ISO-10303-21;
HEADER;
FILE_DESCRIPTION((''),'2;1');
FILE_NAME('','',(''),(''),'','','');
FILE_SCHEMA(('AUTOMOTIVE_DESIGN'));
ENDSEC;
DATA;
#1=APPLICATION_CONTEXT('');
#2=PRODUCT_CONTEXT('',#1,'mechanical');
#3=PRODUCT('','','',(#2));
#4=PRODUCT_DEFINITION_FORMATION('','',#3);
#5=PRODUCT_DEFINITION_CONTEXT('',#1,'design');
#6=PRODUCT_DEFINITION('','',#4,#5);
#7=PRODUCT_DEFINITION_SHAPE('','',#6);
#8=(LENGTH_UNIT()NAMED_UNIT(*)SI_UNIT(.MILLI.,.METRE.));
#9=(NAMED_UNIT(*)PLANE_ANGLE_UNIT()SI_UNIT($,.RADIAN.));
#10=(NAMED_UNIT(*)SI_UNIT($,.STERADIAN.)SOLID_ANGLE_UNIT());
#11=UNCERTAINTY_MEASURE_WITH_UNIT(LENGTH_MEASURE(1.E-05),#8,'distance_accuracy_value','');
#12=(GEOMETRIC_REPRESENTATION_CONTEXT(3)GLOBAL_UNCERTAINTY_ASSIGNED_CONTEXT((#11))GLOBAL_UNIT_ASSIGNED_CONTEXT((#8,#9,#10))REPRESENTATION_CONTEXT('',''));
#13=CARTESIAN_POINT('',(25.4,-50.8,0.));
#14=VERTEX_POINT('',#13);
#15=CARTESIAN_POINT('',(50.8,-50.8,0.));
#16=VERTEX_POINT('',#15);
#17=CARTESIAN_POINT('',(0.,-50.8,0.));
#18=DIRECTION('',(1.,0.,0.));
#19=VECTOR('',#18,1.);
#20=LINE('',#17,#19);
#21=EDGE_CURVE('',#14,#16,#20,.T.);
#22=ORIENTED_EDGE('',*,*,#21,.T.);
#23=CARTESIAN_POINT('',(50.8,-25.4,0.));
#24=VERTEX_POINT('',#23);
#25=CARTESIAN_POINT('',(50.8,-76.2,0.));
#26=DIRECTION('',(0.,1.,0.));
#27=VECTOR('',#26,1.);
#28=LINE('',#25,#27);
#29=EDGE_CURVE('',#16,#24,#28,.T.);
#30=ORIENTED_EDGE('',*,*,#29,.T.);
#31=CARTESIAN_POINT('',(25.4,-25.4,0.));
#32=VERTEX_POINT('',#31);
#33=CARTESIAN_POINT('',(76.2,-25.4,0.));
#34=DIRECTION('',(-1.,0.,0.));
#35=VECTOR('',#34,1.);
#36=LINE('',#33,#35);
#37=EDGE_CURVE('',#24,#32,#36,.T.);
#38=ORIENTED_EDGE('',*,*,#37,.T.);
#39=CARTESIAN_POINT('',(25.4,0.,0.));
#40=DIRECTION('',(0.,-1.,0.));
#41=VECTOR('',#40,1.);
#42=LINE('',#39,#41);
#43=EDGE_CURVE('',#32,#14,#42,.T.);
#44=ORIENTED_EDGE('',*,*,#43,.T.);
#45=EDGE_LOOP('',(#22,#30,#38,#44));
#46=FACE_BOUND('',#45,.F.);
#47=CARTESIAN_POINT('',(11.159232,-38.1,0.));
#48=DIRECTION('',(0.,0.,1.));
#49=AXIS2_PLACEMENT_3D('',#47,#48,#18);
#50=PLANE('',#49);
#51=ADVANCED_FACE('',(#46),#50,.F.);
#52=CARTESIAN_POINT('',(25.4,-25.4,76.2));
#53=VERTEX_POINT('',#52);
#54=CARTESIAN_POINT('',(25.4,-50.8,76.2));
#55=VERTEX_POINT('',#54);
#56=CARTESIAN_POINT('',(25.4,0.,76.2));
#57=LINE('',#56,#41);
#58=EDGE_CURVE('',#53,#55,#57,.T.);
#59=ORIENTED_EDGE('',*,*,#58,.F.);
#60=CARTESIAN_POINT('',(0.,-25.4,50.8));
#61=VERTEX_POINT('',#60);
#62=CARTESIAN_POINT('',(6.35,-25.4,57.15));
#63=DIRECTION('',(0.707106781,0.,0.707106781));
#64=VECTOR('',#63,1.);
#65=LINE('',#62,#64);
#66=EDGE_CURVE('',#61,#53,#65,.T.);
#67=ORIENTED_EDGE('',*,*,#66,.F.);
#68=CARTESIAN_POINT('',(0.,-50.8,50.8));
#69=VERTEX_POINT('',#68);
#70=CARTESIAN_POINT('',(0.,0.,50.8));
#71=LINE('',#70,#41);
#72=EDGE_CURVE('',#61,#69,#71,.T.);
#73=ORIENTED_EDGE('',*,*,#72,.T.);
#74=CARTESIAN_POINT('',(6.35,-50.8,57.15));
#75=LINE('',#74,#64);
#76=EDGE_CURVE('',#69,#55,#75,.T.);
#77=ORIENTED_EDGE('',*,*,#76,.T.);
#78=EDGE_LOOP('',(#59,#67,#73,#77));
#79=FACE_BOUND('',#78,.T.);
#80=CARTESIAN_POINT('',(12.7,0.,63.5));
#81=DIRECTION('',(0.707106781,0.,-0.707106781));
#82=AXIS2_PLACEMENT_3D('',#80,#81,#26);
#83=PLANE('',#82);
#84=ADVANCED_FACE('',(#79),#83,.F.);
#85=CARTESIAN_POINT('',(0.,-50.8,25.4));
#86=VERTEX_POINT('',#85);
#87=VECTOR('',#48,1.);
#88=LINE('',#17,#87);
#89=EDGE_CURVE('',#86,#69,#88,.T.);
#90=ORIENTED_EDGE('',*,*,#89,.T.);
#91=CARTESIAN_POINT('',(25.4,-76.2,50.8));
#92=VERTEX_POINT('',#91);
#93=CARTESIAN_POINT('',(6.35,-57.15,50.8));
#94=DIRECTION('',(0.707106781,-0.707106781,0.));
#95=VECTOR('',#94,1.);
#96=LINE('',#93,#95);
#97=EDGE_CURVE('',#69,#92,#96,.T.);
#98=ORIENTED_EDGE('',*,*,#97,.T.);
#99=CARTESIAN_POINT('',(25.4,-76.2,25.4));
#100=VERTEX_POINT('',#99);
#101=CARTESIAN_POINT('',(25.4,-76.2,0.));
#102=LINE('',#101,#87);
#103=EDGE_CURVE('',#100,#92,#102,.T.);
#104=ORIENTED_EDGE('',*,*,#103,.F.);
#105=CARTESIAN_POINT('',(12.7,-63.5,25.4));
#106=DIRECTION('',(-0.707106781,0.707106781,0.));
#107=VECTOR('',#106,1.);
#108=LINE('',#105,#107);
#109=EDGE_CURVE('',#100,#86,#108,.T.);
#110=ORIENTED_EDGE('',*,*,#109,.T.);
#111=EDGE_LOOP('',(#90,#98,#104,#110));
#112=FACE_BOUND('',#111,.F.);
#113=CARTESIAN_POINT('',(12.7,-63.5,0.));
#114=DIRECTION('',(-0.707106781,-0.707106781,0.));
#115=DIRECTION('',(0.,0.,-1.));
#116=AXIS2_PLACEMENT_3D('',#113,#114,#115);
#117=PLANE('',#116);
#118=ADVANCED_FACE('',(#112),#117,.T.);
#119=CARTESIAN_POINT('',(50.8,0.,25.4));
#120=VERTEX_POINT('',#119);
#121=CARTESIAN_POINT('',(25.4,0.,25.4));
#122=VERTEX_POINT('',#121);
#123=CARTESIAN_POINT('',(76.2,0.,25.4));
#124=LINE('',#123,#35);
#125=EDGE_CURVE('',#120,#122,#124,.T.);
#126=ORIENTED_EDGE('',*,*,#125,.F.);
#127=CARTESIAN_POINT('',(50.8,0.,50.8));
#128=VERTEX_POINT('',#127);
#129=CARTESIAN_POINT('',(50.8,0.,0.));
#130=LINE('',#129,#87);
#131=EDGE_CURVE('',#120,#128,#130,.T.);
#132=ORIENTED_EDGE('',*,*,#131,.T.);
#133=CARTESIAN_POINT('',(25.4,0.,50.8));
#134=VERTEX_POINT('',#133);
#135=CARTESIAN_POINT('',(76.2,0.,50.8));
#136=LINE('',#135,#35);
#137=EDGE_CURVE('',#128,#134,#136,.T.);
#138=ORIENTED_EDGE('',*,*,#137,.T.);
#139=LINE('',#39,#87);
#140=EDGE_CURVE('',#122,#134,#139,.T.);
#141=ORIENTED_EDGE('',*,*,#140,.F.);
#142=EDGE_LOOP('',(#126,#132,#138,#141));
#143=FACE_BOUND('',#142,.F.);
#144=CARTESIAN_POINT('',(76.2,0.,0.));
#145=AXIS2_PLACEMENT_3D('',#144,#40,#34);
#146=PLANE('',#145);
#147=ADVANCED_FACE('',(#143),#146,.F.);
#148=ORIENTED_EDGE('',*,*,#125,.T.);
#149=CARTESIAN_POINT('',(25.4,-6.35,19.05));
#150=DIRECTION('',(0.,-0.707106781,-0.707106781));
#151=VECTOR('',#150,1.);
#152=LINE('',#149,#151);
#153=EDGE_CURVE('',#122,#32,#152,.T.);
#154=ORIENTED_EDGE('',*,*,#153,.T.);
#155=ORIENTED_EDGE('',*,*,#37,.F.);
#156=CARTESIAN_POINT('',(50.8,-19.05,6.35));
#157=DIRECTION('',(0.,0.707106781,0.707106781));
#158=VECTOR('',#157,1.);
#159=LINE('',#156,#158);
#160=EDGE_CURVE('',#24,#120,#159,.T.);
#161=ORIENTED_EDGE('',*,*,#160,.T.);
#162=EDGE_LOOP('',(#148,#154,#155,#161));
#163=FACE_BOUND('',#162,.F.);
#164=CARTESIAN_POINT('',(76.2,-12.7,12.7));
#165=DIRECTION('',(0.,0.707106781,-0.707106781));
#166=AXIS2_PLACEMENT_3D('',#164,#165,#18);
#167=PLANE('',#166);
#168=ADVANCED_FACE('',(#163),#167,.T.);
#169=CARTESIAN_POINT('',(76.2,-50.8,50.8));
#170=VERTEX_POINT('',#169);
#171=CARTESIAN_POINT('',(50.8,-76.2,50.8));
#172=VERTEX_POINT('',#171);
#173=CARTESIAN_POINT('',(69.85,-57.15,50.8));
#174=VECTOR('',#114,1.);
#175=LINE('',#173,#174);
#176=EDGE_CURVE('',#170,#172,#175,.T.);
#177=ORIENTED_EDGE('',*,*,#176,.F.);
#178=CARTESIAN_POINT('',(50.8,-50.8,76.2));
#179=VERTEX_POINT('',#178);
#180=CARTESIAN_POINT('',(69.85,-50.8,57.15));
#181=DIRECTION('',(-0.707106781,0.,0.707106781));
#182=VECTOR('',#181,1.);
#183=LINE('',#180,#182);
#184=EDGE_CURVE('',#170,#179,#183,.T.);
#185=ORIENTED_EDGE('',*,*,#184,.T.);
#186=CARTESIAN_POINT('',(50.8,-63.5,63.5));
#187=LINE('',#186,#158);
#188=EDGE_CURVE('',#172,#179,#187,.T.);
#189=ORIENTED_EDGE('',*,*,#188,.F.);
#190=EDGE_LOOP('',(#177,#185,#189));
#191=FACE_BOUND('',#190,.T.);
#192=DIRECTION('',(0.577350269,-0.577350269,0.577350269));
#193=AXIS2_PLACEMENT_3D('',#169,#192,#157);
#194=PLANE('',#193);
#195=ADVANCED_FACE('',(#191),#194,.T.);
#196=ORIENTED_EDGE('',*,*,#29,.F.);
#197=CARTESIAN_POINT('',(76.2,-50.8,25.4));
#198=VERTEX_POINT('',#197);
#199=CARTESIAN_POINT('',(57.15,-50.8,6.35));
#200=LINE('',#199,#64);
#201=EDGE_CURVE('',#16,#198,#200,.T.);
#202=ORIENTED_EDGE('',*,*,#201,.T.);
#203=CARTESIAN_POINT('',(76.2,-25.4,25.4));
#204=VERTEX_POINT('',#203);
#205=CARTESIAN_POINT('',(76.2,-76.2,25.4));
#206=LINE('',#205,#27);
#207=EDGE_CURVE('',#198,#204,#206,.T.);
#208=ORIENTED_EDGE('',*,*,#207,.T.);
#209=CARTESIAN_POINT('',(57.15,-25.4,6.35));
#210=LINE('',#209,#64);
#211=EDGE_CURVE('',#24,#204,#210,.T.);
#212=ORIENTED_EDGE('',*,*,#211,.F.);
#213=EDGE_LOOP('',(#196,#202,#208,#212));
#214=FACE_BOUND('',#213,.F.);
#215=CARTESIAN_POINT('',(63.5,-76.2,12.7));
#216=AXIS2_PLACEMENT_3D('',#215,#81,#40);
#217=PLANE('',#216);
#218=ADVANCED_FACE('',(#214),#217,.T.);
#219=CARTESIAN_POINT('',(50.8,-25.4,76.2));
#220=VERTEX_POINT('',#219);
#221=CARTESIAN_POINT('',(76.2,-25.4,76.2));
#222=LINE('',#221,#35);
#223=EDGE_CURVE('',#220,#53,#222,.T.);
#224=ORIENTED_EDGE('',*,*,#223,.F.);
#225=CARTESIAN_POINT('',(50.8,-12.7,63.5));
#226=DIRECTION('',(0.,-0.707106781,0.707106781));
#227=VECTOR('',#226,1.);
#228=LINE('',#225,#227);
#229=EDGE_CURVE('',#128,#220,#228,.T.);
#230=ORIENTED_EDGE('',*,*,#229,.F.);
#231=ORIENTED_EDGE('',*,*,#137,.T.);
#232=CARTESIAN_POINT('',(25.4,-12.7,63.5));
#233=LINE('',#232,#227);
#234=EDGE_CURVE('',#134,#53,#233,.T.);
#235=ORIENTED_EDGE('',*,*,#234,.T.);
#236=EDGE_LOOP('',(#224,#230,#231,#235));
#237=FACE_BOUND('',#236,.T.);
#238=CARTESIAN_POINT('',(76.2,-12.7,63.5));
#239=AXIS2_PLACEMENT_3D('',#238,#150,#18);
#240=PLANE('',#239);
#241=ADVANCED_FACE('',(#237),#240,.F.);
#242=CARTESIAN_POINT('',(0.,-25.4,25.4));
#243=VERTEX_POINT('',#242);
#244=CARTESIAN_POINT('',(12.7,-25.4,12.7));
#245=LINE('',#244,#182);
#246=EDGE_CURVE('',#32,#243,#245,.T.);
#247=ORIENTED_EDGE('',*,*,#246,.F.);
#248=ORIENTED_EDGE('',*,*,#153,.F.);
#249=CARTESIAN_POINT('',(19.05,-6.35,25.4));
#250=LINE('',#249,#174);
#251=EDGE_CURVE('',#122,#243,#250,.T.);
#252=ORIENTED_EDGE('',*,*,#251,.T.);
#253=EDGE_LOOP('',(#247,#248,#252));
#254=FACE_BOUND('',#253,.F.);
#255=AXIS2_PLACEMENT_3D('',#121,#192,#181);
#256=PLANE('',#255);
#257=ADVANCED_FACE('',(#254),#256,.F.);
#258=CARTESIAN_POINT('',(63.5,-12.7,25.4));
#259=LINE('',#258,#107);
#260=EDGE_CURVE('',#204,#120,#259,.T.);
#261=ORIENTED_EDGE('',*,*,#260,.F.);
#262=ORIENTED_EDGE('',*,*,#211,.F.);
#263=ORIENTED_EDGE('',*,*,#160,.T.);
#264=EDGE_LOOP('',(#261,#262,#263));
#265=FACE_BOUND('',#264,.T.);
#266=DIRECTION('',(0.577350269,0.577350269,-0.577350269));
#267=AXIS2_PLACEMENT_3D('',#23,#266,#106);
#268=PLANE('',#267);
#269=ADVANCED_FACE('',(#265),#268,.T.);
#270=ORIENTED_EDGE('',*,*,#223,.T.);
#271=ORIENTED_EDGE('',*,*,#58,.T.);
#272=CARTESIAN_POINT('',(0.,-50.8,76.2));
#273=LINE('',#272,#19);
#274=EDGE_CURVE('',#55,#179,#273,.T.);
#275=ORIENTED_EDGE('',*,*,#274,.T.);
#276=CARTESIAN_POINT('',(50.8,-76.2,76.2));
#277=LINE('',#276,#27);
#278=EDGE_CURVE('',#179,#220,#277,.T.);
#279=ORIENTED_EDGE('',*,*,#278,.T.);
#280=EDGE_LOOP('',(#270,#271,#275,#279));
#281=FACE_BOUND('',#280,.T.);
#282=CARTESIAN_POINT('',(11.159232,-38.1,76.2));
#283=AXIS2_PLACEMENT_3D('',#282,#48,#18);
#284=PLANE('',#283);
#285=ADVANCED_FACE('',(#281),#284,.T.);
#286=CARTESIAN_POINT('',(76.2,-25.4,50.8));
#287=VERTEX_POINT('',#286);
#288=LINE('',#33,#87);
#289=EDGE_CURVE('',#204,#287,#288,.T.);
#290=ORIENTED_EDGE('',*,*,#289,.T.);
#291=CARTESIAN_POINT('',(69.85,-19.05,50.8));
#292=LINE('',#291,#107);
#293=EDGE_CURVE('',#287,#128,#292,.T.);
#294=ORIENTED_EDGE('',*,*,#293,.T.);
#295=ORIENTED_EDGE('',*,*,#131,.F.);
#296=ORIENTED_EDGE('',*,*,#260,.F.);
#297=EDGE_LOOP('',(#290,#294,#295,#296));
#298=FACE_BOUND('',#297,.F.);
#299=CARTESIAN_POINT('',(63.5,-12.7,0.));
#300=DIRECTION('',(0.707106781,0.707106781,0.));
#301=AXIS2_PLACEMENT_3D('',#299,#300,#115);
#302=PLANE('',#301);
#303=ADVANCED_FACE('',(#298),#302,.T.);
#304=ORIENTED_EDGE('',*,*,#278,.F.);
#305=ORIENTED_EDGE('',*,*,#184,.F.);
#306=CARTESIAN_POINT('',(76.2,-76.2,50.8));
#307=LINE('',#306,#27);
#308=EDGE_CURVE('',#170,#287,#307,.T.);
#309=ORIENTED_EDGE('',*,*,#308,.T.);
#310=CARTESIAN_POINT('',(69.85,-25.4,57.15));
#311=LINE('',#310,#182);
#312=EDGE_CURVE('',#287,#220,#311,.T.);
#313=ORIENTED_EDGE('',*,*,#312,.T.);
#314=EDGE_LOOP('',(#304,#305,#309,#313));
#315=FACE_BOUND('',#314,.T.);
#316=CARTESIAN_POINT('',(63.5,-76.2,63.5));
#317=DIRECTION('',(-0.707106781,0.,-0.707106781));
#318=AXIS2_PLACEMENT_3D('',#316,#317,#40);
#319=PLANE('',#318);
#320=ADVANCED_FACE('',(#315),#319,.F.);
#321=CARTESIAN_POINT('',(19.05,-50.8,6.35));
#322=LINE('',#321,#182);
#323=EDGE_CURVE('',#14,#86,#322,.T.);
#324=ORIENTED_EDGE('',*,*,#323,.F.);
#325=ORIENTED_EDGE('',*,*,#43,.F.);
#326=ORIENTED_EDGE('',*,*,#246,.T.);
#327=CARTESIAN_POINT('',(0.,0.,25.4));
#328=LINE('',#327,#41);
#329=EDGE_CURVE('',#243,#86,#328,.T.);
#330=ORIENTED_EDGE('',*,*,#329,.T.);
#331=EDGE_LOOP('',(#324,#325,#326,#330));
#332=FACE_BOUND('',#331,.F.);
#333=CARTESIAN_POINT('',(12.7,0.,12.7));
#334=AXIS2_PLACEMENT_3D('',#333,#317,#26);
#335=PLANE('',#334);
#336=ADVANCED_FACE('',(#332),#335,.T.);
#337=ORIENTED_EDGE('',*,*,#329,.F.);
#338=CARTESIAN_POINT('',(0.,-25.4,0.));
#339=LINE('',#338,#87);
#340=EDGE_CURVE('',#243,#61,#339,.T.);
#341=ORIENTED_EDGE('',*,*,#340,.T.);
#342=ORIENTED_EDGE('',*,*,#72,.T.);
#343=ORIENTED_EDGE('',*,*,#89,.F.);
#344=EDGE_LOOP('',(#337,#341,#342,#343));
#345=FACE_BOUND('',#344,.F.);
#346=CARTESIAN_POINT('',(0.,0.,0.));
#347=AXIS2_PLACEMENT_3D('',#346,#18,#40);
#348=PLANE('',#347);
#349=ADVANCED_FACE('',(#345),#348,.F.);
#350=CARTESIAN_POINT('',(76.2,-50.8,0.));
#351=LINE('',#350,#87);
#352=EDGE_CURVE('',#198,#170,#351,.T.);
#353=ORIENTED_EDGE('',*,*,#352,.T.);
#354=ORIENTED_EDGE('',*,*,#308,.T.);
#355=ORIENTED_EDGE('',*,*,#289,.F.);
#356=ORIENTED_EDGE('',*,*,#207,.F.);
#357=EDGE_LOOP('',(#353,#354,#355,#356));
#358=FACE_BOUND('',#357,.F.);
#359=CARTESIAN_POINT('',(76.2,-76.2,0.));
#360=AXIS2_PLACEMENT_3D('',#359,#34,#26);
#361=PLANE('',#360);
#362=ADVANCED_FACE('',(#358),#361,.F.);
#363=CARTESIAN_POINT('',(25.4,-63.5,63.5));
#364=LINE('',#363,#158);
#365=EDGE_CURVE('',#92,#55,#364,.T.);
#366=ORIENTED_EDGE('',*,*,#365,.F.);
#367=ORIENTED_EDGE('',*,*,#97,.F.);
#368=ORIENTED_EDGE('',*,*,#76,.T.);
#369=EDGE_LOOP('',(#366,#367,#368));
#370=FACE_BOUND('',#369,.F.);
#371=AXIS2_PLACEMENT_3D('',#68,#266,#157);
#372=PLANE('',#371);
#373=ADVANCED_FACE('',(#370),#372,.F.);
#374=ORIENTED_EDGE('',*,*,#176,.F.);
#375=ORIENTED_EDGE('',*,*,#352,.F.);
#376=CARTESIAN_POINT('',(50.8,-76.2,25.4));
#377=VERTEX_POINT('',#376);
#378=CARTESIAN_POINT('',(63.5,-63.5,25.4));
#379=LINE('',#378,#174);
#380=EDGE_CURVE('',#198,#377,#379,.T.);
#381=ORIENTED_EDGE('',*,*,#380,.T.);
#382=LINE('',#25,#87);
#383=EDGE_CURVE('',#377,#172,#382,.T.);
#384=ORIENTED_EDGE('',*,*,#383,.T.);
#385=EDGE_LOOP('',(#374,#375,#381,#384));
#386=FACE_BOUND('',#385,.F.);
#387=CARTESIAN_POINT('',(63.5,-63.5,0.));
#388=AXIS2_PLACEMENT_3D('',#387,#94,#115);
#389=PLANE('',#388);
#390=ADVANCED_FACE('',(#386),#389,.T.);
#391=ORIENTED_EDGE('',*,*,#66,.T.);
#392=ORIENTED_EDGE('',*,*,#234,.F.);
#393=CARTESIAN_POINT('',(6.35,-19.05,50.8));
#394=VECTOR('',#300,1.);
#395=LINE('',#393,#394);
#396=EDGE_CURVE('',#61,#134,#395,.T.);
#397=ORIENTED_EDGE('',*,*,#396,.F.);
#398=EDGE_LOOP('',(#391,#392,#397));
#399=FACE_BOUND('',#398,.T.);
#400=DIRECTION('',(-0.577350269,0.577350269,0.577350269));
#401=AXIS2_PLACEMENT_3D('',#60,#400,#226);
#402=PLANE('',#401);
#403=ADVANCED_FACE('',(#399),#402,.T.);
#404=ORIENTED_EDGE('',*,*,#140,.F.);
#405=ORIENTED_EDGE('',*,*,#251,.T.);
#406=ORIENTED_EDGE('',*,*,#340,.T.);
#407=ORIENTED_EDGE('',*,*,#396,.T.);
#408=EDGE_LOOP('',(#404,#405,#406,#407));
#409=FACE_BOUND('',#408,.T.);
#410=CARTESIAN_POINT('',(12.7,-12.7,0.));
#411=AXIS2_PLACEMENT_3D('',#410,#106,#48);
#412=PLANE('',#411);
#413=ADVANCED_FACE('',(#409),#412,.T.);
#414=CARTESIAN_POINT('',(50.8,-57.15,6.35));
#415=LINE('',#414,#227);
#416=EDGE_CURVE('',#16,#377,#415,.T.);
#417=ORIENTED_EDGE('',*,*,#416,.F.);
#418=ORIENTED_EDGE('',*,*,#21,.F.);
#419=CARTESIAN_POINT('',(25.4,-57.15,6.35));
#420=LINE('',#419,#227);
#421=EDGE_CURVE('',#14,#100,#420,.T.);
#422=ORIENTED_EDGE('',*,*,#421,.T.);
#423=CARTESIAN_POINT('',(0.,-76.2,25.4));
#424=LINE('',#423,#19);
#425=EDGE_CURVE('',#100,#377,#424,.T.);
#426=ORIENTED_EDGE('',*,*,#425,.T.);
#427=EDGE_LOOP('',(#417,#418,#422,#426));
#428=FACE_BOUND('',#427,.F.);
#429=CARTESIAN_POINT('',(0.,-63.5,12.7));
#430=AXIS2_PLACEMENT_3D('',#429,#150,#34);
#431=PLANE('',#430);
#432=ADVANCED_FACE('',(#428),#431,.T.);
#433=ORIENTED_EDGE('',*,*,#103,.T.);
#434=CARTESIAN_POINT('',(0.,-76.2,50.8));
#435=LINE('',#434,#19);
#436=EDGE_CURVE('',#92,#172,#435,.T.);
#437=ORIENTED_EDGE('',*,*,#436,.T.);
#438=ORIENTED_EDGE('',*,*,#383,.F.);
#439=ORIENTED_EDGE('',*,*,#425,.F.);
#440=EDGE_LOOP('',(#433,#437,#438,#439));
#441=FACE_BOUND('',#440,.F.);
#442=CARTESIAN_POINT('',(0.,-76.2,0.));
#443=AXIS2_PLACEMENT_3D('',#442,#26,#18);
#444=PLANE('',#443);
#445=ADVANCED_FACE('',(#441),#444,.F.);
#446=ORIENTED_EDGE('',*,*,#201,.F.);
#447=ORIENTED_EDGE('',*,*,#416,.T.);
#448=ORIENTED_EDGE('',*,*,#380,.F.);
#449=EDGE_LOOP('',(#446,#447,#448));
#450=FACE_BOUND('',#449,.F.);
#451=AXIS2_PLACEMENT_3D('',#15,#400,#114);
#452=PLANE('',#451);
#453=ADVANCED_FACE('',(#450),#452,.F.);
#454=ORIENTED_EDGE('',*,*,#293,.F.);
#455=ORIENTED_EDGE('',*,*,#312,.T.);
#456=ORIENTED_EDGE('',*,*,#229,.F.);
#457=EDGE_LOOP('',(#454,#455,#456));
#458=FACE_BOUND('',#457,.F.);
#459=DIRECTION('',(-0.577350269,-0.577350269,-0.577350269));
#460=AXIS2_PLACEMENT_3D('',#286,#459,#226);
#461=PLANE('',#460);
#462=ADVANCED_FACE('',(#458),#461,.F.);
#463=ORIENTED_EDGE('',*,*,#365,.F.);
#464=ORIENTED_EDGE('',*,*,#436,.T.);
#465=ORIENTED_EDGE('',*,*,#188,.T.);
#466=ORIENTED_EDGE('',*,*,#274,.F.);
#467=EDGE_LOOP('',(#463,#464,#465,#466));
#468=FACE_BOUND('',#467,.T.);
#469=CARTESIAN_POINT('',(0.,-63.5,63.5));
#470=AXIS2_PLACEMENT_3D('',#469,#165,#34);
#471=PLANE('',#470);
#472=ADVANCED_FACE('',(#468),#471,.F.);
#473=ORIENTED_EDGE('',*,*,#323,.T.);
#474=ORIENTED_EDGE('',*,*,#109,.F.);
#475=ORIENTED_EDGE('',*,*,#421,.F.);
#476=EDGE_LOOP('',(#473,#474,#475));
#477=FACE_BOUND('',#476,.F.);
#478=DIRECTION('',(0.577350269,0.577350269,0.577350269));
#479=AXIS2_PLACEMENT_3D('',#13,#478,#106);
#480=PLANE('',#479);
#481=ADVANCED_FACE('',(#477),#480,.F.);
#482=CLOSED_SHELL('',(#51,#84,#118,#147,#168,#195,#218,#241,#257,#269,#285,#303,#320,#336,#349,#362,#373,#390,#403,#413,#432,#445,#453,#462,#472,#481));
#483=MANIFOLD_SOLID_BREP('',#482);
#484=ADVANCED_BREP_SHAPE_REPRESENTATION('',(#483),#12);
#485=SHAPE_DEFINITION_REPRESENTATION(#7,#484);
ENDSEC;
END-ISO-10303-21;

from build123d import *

# Parameters (mm, degrees)
F1_DEPTH = 76.2
F2_SIZE  = 25.4


with BuildPart() as f1:
    # F0 (on Top) → F1 (new body)
    with BuildSketch(Plane.XY):
        Polygon((38.1, -38.1), (0, 0), (0, -76.2), align=None)
        Polygon((76.2, 0), (0, 0), (38.1, -38.1), align=None)
        Polygon((76.2, -76.2), (76.2, 0), (38.1, -38.1), align=None)
        Polygon((38.1, -38.1), (0, -76.2), (76.2, -76.2), align=None)
    extrude(amount=F1_DEPTH)

    # F2
    f2_edges = [f1.edges().sort_by_distance(p)[0] for p in [
        (38.1, -76.2, 76.2),
        (38.1, 0, 76.2),
        (76.2, -76.2, 38.1),
        (76.2, 0, 38.1),
        (76.2, -38.1, 0),
        (76.2, -38.1, 76.2),
        (0, -76.2, 38.1),
        (38.1, -76.2, 0),
        (0, -38.1, 0),
        (38.1, 0, 0),
        (0, 0, 38.1),
        (0, -38.1, 76.2),
    ]]
    chamfer(f2_edges, length=F2_SIZE)


solid = f1.part
